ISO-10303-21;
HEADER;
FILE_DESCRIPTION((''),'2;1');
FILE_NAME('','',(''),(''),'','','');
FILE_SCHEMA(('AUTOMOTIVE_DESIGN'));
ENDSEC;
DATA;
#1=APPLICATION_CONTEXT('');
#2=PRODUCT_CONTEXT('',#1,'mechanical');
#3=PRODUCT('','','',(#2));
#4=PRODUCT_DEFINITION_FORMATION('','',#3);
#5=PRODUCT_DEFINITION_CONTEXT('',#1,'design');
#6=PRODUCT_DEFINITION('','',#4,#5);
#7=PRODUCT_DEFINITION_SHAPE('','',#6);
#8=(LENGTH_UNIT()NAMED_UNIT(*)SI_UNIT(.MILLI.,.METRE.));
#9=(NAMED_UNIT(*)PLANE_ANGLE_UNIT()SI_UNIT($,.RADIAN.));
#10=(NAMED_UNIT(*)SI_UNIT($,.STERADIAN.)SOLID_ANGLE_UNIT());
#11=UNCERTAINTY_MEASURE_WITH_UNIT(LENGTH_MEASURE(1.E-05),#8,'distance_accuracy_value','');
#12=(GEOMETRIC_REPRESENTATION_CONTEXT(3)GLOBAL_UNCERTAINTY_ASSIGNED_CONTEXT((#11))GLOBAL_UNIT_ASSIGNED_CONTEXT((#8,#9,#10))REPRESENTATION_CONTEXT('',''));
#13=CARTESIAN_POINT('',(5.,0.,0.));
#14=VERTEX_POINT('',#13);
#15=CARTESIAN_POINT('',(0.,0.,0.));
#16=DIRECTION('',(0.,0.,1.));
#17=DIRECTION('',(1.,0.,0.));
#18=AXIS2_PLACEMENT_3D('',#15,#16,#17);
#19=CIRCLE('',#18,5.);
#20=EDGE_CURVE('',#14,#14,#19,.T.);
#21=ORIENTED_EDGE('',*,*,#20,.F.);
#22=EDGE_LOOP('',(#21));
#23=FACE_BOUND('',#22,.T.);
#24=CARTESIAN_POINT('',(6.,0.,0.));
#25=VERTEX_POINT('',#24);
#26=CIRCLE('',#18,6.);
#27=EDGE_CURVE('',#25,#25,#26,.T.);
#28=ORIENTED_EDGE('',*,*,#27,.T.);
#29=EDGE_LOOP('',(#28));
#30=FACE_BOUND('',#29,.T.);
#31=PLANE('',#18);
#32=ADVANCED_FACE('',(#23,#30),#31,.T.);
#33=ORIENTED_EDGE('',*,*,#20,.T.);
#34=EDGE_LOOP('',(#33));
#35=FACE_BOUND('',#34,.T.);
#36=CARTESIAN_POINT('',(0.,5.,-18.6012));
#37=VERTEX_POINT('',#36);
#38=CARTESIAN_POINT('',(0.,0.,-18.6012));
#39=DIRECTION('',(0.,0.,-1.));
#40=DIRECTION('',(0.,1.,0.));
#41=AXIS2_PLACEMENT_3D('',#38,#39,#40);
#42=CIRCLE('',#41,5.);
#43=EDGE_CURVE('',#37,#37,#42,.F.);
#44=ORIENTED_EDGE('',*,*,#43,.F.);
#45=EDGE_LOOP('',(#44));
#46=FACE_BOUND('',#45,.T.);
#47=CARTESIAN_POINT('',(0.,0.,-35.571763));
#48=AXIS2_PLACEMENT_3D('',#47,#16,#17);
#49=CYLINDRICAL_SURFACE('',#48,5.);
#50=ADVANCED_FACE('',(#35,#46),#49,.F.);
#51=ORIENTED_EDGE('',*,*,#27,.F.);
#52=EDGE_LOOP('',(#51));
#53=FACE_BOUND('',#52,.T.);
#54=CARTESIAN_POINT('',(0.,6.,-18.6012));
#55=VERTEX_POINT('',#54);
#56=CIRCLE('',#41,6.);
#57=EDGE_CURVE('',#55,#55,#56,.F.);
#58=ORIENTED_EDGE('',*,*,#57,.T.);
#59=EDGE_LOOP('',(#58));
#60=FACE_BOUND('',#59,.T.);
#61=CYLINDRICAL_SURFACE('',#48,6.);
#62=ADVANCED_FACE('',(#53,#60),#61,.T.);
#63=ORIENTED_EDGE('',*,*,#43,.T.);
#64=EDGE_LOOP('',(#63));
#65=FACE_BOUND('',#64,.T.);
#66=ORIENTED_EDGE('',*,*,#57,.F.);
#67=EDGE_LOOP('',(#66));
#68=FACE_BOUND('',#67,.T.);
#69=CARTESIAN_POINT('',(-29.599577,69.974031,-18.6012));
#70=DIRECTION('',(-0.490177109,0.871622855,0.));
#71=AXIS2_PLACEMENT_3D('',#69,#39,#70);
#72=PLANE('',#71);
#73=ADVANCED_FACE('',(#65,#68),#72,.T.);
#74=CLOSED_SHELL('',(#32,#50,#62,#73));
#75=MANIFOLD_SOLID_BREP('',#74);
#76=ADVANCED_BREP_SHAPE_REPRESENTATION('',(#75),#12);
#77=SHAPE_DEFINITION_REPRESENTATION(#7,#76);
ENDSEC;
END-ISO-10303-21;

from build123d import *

# Parameters (mm, degrees)
SKETCH1_R           = 6
SKETCH1_R_2         = 5
BOSS_EXTRUDE1_DEPTH = 18.6012


with BuildPart() as part:
    # Sketch1 → Boss-Extrude1 (new body)
    with BuildSketch(Plane.XY):
        Circle(SKETCH1_R)
        Circle(SKETCH1_R_2, mode=Mode.SUBTRACT)
    extrude(amount=-BOSS_EXTRUDE1_DEPTH)


solid = part.part
